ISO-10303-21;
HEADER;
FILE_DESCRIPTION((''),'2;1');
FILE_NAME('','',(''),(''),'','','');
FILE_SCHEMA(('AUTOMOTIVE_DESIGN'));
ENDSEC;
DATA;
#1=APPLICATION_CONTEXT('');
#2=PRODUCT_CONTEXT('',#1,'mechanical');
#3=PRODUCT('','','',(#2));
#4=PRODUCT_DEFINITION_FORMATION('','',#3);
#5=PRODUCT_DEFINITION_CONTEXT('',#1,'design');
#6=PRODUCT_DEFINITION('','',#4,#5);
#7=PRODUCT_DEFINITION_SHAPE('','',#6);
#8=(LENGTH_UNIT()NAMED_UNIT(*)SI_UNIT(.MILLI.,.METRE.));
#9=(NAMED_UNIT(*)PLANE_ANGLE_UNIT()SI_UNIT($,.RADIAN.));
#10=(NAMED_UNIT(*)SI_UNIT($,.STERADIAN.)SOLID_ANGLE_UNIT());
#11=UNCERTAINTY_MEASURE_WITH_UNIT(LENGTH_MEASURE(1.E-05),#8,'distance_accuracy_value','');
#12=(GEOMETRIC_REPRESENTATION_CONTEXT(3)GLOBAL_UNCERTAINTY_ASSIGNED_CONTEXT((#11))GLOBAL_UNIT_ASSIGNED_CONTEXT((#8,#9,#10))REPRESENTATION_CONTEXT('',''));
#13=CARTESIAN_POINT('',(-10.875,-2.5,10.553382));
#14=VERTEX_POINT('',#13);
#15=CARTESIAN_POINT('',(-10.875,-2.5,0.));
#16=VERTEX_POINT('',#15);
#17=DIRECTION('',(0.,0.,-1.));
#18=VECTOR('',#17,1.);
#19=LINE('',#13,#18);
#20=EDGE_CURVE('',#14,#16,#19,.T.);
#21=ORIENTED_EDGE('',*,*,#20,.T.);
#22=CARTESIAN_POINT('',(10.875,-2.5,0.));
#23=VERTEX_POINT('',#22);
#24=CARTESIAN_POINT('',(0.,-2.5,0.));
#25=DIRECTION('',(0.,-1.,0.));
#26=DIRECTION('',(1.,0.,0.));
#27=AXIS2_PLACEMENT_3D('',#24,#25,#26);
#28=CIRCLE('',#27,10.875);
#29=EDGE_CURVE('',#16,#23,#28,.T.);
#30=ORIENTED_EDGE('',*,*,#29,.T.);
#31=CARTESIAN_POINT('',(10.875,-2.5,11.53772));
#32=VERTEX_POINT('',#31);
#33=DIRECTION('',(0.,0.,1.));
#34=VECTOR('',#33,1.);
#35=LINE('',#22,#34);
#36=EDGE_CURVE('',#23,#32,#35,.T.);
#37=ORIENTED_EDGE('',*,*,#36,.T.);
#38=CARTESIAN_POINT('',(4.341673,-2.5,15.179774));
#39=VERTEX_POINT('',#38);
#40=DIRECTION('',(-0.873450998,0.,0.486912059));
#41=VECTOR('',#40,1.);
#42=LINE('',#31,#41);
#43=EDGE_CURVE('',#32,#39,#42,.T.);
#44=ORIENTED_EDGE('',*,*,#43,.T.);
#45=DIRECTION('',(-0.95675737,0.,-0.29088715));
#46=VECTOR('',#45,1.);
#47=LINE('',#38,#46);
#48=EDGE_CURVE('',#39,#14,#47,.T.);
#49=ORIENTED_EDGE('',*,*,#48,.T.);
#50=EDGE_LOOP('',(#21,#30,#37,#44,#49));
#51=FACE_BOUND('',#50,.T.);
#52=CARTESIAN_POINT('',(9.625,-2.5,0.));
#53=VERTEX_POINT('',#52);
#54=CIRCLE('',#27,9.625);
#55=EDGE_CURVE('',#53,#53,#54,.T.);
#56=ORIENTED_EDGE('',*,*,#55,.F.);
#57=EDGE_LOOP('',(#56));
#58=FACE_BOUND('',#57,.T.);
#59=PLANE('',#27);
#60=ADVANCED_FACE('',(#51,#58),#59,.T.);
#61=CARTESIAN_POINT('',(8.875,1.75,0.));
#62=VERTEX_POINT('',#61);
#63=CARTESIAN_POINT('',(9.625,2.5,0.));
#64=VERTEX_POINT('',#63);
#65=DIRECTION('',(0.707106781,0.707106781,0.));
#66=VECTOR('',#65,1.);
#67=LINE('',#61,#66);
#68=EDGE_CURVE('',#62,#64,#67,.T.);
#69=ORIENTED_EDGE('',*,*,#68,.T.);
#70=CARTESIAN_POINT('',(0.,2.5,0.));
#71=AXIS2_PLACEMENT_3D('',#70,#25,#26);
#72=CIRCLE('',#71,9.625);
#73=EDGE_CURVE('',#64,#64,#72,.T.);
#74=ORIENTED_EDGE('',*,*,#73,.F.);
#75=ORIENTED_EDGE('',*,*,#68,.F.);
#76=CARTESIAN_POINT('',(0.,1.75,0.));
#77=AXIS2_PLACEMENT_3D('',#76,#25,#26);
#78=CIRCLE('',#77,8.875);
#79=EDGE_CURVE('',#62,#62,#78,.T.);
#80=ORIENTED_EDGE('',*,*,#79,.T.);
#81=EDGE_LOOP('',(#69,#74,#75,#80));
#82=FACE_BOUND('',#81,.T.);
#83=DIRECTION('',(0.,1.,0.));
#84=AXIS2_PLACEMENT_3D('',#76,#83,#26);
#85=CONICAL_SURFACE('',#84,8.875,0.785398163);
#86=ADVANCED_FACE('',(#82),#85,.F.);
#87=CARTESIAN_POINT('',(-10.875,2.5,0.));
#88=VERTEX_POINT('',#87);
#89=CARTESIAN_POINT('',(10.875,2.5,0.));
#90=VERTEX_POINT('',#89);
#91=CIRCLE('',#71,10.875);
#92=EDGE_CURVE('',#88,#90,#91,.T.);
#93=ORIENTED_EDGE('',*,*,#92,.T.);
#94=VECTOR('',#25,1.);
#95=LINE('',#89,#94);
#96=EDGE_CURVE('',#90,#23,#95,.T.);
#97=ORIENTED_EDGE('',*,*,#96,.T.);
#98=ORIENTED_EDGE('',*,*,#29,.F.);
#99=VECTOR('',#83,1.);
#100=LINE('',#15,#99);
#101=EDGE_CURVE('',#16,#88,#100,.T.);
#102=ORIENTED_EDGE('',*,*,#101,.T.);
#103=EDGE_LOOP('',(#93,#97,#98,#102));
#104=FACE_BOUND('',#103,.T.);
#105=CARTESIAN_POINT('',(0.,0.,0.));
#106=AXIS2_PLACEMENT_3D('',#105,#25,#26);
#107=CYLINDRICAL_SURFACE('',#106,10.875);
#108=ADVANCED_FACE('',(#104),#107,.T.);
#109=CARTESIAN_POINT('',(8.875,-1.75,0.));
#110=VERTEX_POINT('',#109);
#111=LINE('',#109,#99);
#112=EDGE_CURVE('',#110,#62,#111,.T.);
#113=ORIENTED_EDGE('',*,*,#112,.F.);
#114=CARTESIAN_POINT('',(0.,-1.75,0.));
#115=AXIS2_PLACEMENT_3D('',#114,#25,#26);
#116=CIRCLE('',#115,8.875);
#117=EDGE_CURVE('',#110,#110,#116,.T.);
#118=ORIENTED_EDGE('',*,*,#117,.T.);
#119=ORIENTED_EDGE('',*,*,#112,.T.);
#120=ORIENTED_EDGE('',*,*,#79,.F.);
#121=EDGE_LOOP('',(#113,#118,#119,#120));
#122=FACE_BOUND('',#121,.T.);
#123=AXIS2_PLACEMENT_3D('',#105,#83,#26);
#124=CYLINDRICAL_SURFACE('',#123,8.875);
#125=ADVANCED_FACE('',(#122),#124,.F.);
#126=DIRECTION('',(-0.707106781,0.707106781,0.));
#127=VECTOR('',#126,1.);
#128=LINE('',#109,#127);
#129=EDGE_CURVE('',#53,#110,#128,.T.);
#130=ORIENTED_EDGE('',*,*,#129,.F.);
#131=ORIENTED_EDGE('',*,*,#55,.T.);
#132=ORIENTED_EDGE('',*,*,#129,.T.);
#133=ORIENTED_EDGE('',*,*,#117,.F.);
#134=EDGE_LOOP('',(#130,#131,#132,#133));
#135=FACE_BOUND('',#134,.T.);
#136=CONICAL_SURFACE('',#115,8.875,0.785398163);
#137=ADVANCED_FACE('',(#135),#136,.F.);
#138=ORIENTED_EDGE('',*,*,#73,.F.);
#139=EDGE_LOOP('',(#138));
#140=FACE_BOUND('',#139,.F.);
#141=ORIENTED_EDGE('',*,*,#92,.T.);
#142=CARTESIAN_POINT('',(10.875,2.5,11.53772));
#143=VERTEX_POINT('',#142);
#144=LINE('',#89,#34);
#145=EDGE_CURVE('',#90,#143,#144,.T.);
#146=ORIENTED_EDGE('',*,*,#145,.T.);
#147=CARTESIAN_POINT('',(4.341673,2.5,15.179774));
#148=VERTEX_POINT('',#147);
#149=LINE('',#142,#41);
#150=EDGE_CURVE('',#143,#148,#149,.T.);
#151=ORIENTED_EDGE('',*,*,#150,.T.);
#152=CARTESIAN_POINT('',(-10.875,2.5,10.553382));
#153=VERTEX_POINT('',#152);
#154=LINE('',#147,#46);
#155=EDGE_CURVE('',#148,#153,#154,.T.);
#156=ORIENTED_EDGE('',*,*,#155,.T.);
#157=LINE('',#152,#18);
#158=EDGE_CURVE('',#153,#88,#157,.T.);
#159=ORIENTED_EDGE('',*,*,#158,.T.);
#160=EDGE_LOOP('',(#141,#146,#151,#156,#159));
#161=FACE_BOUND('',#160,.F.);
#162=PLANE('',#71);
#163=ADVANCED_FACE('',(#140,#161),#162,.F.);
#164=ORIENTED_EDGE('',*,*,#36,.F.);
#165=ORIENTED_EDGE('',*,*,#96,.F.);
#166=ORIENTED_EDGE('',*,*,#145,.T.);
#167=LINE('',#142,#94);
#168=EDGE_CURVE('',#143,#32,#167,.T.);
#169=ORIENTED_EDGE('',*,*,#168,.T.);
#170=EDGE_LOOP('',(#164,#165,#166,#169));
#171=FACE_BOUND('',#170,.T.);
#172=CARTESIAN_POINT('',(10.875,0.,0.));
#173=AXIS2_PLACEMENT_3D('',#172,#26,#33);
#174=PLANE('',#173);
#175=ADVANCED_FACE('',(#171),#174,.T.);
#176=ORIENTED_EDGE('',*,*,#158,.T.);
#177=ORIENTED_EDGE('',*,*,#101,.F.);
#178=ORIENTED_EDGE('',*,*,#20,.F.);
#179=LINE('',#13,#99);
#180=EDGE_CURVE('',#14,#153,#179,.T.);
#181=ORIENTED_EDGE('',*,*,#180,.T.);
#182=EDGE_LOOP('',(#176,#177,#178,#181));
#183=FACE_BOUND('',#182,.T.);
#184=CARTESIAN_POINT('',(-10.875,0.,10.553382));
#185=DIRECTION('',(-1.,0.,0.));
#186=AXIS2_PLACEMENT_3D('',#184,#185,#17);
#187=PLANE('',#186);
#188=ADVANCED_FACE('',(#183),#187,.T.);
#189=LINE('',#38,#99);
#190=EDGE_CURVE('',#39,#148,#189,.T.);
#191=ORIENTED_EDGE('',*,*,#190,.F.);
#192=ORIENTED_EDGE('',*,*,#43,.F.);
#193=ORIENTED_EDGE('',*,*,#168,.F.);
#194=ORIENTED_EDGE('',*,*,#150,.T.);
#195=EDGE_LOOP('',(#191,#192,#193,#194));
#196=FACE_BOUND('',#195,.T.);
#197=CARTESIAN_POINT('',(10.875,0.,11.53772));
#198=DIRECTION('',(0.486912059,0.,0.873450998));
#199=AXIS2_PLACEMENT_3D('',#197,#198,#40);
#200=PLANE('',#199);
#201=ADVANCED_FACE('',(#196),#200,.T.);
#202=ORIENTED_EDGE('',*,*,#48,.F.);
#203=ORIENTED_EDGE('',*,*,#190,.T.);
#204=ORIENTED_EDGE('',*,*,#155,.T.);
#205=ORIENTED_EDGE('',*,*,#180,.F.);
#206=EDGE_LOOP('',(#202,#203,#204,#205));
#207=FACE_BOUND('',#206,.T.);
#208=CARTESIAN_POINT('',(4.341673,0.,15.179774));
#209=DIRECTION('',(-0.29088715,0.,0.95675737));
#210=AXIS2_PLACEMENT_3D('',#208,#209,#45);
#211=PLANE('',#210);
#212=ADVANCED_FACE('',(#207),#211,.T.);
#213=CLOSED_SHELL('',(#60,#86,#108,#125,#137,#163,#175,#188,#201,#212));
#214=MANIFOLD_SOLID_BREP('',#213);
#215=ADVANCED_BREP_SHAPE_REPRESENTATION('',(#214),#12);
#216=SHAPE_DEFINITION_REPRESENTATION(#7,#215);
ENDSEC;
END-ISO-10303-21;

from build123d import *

# Parameters (mm, degrees)
F0_R          = 8.875
F1_DEPTH      = 2.5
F1_DEPTH_BACK = 2.5
F2_SIZE       = 0.75


with BuildPart() as f1:
    # F0 (on Front) → F1 (new body, two sides)
    with BuildSketch(Plane.XZ) as f1_sk:
        with BuildLine():
            ThreePointArc((-10.875, 0), (0, -10.875), (10.875, 0))
            ThreePointArc((10.875, 0), (0, 10.875), (-10.875, 0))
        make_face()
        Circle(F0_R, mode=Mode.SUBTRACT)
        with BuildLine():
            ThreePointArc((-10.875, 0), (0, 10.875), (10.875, 0))
            Line((10.875, 0), (10.875, 11.53772))
            Line((10.875, 11.53772), (4.341673, 15.179774))
            Line((4.341673, 15.179774), (-10.875, 10.553382))
            Line((-10.875, 10.553382), (-10.875, 0))
        make_face()
    extrude(amount=F1_DEPTH)
    extrude(f1_sk.sketch, amount=-F1_DEPTH_BACK)

    # F2
    f2_edges = [f1.edges().sort_by_distance(p)[0] for p in [
        (-8.875, -2.5, 0),
        (-8.875, 2.5, 0),
    ]]
    chamfer(f2_edges, length=F2_SIZE)


solid = f1.part
